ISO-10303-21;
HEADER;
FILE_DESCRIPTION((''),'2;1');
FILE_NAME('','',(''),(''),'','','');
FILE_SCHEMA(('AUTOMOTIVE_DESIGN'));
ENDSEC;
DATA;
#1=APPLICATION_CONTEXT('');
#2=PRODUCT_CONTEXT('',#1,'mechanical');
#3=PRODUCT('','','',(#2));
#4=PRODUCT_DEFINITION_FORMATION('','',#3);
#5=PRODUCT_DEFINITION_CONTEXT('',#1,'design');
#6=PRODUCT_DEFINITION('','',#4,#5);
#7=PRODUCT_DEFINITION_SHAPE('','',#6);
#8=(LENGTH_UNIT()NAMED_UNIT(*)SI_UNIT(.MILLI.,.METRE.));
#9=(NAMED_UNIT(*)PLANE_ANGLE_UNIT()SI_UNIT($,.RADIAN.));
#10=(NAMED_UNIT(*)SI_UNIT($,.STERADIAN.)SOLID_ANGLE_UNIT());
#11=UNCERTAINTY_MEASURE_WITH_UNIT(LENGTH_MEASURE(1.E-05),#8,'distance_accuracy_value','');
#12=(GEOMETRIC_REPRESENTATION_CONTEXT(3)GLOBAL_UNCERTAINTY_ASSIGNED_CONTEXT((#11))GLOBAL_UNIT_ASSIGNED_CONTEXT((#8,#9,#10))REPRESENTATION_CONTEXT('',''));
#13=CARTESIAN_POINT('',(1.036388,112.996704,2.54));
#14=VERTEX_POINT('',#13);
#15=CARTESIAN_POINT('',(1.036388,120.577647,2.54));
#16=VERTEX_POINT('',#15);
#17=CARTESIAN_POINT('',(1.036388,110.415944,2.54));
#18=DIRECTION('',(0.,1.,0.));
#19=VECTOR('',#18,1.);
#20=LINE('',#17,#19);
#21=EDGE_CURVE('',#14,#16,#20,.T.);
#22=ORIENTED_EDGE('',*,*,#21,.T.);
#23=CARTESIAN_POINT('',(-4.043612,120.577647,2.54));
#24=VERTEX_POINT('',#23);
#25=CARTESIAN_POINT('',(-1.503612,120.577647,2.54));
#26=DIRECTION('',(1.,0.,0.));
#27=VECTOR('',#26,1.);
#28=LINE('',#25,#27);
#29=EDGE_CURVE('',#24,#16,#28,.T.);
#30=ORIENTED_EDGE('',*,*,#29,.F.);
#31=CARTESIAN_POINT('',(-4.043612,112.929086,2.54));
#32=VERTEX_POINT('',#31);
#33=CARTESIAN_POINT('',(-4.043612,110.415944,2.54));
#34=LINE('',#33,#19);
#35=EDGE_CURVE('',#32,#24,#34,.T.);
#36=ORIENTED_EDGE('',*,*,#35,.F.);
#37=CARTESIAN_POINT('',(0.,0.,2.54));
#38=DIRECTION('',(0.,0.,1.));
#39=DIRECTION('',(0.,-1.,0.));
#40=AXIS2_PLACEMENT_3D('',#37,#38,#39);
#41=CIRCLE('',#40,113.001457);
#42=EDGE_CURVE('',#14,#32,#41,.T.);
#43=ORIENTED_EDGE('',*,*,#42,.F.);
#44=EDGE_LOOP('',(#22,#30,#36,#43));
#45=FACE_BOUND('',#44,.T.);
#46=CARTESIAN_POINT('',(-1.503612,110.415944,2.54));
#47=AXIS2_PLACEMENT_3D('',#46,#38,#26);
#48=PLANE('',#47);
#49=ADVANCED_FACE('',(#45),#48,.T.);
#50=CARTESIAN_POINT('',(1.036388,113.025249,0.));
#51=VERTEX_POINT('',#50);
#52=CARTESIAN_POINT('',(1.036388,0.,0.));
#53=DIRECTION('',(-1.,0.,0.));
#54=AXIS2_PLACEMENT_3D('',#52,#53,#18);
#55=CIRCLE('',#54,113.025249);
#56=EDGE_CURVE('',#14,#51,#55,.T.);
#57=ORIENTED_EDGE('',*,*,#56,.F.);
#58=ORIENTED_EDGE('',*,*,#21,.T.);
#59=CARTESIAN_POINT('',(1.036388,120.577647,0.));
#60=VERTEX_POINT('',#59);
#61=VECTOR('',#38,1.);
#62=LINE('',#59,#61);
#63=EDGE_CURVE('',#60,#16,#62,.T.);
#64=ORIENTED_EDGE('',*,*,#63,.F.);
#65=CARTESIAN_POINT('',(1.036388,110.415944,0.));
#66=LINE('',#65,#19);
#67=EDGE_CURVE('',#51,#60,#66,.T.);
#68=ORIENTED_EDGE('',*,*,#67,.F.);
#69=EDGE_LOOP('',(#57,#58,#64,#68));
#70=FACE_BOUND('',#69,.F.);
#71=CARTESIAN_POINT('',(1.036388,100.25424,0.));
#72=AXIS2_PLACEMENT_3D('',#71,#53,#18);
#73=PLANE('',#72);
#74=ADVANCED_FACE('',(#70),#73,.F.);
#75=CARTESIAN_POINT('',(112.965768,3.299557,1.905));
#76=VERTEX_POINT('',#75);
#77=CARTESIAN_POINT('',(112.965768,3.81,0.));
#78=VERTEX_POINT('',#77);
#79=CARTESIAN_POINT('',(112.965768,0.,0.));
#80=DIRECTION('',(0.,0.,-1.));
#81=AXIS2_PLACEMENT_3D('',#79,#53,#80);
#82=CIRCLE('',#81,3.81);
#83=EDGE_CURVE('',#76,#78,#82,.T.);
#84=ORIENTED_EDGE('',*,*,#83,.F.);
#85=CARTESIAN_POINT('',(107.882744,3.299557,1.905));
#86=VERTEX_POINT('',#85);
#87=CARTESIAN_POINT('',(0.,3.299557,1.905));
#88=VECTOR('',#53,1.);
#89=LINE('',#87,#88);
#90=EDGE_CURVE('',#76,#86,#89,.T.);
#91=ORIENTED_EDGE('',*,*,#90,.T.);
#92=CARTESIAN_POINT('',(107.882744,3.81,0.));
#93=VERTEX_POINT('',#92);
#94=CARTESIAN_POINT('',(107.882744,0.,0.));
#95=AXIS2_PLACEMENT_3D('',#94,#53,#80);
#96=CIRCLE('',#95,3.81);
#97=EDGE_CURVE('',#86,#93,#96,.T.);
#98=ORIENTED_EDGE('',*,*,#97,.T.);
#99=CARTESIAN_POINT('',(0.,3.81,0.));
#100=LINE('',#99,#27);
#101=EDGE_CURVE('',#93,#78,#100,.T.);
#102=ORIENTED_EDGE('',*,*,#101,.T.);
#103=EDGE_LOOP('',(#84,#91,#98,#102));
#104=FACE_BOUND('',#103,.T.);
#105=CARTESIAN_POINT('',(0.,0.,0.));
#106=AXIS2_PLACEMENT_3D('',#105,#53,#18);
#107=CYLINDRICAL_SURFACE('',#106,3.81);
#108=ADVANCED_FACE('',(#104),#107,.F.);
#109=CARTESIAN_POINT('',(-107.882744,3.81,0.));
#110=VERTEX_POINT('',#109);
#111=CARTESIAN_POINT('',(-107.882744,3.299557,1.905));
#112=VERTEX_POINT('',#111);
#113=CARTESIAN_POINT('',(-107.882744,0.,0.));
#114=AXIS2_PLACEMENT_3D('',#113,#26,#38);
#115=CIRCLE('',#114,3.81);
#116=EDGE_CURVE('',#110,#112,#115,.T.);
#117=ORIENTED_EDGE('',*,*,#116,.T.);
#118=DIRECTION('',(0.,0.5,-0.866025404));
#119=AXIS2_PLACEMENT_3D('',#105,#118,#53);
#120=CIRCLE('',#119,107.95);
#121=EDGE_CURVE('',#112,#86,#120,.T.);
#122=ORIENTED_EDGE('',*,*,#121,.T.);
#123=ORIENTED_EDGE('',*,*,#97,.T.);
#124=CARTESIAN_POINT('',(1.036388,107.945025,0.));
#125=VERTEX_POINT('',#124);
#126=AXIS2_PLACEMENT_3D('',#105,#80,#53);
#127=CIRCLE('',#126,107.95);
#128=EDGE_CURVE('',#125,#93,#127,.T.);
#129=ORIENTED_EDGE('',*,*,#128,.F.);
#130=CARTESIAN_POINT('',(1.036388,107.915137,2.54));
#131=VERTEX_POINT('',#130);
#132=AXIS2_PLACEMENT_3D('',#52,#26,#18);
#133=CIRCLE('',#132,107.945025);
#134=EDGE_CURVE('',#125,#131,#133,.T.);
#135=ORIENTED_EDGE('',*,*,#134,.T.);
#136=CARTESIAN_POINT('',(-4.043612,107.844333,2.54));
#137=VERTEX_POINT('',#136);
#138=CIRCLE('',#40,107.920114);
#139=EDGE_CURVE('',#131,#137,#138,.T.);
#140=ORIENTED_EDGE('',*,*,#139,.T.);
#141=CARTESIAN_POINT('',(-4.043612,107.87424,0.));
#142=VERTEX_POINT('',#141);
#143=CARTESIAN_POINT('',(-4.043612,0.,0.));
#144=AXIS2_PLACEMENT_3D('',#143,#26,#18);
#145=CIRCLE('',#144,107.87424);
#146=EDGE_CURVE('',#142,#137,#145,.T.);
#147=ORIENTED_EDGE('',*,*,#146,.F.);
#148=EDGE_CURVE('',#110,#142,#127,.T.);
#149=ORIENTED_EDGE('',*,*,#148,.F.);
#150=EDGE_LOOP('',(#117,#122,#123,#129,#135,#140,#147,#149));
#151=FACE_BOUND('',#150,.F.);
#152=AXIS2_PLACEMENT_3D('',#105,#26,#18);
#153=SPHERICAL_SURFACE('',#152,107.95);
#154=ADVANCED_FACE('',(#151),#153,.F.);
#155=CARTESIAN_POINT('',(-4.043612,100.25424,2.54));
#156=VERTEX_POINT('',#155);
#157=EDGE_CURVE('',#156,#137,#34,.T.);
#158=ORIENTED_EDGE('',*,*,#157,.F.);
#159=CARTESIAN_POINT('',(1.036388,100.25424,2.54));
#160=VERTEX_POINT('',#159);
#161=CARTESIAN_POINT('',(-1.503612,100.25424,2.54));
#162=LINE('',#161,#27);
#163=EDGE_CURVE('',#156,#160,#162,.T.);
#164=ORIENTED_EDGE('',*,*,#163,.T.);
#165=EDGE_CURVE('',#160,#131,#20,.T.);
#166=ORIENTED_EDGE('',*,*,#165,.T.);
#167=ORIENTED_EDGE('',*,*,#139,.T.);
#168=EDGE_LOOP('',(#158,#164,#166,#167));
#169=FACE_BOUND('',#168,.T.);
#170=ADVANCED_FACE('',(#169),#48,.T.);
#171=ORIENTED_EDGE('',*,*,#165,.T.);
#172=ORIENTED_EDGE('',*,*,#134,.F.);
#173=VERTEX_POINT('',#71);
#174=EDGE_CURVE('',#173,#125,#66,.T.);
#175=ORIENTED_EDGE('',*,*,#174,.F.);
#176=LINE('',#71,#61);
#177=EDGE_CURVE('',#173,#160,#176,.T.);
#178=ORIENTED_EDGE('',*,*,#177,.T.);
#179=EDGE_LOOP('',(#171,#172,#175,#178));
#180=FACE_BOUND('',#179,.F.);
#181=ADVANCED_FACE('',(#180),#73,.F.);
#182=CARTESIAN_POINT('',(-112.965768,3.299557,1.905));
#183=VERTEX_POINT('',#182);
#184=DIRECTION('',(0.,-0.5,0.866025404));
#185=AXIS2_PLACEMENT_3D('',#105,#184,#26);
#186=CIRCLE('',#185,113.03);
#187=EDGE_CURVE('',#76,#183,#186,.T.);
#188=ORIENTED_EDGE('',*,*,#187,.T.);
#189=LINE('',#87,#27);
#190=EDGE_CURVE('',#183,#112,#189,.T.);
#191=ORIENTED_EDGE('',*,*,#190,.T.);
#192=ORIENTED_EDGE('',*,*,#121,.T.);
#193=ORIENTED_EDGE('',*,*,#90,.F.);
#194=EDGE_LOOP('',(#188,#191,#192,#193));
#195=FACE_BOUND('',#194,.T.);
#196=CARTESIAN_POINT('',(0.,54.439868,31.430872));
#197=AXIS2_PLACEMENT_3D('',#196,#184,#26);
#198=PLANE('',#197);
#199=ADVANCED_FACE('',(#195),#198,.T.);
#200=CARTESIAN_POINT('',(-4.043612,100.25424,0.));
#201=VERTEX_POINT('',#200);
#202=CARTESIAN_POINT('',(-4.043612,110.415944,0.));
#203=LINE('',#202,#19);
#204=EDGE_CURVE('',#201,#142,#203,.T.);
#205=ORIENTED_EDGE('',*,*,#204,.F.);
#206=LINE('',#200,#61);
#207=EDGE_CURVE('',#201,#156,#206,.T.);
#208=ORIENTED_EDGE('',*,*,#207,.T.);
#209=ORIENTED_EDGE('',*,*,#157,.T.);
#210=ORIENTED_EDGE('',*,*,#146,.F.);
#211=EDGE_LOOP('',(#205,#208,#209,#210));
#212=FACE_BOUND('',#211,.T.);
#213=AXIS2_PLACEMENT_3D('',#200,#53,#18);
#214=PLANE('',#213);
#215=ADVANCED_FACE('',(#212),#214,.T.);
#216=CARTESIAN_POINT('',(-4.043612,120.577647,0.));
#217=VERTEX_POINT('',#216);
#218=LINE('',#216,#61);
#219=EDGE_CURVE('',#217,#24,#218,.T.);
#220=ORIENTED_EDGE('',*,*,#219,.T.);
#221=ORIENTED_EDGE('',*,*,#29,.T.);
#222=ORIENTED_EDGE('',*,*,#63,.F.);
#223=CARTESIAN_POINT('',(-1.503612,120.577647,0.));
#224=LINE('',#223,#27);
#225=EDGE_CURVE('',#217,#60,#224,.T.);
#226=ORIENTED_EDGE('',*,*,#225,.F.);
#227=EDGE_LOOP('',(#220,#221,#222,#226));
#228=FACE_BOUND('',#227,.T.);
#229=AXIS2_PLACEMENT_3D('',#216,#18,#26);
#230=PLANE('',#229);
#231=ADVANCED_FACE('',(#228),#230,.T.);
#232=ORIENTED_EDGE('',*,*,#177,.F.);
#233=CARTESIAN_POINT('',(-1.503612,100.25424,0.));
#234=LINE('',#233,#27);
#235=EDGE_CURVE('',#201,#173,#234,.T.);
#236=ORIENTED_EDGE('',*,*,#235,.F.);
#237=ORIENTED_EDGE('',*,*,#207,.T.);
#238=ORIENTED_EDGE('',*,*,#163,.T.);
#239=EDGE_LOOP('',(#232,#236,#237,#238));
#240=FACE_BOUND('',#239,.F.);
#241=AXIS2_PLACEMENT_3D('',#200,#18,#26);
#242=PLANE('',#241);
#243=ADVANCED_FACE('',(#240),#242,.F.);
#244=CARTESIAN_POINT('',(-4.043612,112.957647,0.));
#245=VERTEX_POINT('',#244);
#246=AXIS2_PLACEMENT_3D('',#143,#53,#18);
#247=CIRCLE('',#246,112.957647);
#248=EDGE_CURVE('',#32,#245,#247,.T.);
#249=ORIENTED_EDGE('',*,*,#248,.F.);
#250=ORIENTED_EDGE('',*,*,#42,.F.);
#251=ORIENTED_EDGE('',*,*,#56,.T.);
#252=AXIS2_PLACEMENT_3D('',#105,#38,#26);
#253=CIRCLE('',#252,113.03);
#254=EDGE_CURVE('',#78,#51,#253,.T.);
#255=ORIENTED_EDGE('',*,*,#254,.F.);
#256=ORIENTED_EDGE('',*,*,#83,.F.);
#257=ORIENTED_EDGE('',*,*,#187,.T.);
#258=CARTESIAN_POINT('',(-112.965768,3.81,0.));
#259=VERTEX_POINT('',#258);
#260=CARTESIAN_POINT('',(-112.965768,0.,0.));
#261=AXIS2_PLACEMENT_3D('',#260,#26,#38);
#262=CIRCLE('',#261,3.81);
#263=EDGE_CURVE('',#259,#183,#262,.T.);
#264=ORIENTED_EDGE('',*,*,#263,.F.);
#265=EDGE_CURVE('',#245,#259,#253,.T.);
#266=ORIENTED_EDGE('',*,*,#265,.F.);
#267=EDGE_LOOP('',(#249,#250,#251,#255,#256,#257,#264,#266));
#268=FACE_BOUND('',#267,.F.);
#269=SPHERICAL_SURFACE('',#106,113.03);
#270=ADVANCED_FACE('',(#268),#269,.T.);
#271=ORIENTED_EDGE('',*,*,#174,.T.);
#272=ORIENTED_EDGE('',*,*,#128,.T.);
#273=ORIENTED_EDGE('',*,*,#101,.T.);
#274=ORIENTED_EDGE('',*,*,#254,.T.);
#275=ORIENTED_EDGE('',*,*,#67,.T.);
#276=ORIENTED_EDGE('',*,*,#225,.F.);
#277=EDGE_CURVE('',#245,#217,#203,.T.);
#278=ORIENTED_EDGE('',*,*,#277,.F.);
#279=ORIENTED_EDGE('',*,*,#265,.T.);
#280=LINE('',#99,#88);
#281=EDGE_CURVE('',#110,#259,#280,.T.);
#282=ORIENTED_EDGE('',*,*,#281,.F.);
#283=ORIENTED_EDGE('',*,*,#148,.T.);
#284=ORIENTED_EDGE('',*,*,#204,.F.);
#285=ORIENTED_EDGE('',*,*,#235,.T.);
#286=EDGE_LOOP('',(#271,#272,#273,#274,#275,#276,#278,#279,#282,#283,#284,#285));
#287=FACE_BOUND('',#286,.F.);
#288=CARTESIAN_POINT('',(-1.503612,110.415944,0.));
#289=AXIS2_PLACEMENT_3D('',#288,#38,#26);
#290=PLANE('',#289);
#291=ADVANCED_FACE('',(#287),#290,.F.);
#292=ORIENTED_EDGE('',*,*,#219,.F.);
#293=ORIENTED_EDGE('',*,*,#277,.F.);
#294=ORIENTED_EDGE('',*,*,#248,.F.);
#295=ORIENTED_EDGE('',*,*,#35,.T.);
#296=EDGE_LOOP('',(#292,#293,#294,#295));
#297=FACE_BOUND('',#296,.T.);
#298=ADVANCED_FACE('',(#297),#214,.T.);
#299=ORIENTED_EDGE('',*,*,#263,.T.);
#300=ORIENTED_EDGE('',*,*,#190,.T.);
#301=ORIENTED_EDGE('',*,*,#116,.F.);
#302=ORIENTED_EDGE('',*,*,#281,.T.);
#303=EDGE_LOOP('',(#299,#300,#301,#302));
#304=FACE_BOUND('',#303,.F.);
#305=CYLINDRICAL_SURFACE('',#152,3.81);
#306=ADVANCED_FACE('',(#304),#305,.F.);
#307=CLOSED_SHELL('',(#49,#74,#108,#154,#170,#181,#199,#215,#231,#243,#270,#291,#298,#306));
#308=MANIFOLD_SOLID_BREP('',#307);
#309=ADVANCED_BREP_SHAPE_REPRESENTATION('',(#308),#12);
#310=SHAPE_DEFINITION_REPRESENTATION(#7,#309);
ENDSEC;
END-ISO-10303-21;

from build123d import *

# Parameters (mm, degrees)
F1_ANGLE      = 30
F2_R          = 3.81
F3_DEPTH      = 113.031
F3_DEPTH_BACK = 113.031
F4_W          = 5.08
F4_H          = 20.3234071666
F5_DEPTH      = 2.54


with BuildPart() as f1:
    # F0 (on Top) → F1 (revolve)
    with BuildSketch(Plane.XY):
        with BuildLine():
            Line((-113.03, 0), (-107.95, 0))
            ThreePointArc((-107.95, 0), (0, 107.95), (107.95, 0))
            Line((107.95, 0), (113.03, 0))
            ThreePointArc((113.03, 0), (0, 113.03), (-113.03, 0))
        make_face()
    revolve(axis=Axis((-53.975, 0, 0), (1, 0, 0)), revolution_arc=F1_ANGLE)

    # F2 (on Right) → F3 (cut, two sides)
    with BuildSketch(Plane.YZ) as f3_sk:
        Circle(F2_R)
    extrude(amount=-F3_DEPTH, mode=Mode.SUBTRACT)
    extrude(f3_sk.sketch, amount=F3_DEPTH_BACK, mode=Mode.SUBTRACT)

    # F4 (on Top) → F5 (join)
    with BuildSketch(Plane.XY):
        with Locations((-1.5036120401, 110.4159437969)):
            Rectangle(F4_W, F4_H)
    extrude(amount=F5_DEPTH)


solid = f1.part
